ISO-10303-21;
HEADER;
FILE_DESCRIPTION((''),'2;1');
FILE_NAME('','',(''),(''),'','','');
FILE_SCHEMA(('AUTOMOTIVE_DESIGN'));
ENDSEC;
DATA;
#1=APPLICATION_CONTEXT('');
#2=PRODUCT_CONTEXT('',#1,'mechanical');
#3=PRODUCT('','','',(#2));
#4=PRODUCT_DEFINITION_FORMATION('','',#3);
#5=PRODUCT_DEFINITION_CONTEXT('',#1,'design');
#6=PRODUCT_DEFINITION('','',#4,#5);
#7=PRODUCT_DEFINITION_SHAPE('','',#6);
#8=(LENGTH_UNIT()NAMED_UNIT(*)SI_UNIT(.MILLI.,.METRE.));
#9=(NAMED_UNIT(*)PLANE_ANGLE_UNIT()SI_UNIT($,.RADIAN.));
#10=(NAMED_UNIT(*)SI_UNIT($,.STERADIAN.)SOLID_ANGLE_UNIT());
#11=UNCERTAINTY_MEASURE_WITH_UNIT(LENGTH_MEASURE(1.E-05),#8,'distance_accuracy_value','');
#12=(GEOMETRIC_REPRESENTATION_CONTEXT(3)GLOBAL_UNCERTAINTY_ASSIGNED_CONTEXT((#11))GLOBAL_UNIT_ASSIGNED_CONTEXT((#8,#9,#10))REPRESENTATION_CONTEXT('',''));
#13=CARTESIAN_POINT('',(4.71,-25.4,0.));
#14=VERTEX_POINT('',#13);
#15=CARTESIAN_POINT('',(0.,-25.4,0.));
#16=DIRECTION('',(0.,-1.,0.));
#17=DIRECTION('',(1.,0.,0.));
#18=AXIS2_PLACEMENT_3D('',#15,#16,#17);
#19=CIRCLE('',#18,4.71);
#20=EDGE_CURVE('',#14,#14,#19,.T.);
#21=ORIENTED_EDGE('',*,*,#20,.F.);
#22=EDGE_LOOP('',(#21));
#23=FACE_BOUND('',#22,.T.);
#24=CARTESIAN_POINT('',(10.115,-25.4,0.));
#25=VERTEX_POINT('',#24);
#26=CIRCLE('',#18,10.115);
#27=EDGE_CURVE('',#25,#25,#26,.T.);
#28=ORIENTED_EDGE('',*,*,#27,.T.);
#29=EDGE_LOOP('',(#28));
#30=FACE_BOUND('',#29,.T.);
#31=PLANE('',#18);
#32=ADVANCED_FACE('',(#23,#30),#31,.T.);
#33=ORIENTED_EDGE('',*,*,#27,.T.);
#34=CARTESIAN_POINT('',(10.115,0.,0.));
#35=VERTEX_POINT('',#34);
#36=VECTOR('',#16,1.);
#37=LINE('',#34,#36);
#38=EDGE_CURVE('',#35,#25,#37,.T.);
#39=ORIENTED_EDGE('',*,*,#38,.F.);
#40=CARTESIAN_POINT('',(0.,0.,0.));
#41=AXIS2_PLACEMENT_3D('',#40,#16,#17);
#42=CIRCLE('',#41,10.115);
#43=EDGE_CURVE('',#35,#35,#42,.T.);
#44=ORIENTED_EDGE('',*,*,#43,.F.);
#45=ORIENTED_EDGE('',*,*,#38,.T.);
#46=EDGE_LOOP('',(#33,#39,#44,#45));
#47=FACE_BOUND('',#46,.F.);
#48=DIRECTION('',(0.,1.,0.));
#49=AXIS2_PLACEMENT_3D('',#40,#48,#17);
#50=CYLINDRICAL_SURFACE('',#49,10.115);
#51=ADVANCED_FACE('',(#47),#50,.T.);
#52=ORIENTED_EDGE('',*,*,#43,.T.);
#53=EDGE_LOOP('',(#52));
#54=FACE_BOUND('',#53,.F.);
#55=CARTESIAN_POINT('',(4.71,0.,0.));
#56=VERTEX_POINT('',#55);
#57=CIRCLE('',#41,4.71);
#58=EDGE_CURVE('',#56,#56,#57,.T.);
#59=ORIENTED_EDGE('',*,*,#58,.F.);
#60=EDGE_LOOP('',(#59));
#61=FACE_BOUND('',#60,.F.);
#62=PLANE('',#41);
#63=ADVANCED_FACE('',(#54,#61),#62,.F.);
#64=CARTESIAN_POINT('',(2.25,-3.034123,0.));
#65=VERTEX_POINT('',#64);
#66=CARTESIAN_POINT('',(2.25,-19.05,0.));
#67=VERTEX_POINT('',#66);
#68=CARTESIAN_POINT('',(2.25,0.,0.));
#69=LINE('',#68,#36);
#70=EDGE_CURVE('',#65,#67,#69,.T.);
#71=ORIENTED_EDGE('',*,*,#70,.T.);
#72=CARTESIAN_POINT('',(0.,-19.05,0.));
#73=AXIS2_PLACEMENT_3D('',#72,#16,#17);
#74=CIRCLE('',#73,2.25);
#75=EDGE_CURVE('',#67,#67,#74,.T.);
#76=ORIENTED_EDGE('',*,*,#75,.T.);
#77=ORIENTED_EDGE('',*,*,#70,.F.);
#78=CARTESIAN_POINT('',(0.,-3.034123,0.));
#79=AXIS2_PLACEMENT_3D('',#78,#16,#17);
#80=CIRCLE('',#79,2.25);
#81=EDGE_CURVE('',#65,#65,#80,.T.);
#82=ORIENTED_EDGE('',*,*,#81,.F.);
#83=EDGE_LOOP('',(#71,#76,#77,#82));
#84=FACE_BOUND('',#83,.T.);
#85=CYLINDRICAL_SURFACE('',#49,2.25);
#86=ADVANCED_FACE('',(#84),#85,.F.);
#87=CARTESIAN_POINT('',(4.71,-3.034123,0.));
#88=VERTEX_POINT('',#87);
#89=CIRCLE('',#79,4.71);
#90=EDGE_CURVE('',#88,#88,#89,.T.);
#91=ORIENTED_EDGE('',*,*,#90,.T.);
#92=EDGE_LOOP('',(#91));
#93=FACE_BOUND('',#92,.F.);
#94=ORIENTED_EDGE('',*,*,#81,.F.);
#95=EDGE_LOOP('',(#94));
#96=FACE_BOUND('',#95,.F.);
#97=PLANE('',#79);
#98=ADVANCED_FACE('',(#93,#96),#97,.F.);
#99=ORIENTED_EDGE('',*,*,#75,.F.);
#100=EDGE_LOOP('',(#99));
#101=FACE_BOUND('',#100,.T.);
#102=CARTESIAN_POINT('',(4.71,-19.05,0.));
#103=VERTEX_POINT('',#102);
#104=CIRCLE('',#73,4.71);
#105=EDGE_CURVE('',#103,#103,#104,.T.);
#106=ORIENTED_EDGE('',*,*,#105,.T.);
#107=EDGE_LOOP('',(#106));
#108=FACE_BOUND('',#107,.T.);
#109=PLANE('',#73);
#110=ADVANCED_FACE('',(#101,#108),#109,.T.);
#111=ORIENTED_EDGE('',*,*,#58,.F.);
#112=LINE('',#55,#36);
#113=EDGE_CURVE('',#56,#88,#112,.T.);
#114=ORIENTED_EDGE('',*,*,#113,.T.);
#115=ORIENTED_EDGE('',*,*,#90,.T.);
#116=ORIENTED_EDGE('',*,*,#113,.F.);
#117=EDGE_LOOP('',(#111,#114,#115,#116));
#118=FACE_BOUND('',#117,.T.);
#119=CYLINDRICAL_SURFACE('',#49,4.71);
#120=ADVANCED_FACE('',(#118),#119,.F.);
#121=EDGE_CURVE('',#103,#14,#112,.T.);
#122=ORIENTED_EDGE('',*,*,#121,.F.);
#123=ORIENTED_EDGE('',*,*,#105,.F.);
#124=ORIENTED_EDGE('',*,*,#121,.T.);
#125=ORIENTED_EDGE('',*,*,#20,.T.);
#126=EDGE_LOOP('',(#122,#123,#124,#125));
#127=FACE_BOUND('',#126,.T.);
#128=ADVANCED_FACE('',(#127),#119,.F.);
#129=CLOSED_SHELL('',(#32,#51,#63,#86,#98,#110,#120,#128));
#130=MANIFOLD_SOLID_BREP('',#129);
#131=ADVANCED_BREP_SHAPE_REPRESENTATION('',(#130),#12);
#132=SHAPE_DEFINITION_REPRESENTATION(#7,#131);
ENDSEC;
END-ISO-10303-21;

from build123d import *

# Parameters (mm, degrees)
F0_R     = 10.115
F0_R_2   = 4.71
F1_DEPTH = 25.4
F0_R_3   = 2.25
F2_DEPTH = 19.05
F3_DEPTH = 3.034123


with BuildPart() as f1:
    # F0 (on Front) → F1 (new body)
    with BuildSketch(Plane.XZ):
        Circle(F0_R)
        Circle(F0_R_2, mode=Mode.SUBTRACT)
    extrude(amount=F1_DEPTH)

    # F0 (on Front) → F2 (join)
    with BuildSketch(Plane.XZ):
        Circle(F0_R_2)
        Circle(F0_R_3, mode=Mode.SUBTRACT)
    extrude(amount=F2_DEPTH)

    # F0 (on Front) → F3 (cut)
    with BuildSketch(Plane.XZ):
        Circle(F0_R_2)
        Circle(F0_R_3, mode=Mode.SUBTRACT)
    extrude(amount=F3_DEPTH, mode=Mode.SUBTRACT)


solid = f1.part
